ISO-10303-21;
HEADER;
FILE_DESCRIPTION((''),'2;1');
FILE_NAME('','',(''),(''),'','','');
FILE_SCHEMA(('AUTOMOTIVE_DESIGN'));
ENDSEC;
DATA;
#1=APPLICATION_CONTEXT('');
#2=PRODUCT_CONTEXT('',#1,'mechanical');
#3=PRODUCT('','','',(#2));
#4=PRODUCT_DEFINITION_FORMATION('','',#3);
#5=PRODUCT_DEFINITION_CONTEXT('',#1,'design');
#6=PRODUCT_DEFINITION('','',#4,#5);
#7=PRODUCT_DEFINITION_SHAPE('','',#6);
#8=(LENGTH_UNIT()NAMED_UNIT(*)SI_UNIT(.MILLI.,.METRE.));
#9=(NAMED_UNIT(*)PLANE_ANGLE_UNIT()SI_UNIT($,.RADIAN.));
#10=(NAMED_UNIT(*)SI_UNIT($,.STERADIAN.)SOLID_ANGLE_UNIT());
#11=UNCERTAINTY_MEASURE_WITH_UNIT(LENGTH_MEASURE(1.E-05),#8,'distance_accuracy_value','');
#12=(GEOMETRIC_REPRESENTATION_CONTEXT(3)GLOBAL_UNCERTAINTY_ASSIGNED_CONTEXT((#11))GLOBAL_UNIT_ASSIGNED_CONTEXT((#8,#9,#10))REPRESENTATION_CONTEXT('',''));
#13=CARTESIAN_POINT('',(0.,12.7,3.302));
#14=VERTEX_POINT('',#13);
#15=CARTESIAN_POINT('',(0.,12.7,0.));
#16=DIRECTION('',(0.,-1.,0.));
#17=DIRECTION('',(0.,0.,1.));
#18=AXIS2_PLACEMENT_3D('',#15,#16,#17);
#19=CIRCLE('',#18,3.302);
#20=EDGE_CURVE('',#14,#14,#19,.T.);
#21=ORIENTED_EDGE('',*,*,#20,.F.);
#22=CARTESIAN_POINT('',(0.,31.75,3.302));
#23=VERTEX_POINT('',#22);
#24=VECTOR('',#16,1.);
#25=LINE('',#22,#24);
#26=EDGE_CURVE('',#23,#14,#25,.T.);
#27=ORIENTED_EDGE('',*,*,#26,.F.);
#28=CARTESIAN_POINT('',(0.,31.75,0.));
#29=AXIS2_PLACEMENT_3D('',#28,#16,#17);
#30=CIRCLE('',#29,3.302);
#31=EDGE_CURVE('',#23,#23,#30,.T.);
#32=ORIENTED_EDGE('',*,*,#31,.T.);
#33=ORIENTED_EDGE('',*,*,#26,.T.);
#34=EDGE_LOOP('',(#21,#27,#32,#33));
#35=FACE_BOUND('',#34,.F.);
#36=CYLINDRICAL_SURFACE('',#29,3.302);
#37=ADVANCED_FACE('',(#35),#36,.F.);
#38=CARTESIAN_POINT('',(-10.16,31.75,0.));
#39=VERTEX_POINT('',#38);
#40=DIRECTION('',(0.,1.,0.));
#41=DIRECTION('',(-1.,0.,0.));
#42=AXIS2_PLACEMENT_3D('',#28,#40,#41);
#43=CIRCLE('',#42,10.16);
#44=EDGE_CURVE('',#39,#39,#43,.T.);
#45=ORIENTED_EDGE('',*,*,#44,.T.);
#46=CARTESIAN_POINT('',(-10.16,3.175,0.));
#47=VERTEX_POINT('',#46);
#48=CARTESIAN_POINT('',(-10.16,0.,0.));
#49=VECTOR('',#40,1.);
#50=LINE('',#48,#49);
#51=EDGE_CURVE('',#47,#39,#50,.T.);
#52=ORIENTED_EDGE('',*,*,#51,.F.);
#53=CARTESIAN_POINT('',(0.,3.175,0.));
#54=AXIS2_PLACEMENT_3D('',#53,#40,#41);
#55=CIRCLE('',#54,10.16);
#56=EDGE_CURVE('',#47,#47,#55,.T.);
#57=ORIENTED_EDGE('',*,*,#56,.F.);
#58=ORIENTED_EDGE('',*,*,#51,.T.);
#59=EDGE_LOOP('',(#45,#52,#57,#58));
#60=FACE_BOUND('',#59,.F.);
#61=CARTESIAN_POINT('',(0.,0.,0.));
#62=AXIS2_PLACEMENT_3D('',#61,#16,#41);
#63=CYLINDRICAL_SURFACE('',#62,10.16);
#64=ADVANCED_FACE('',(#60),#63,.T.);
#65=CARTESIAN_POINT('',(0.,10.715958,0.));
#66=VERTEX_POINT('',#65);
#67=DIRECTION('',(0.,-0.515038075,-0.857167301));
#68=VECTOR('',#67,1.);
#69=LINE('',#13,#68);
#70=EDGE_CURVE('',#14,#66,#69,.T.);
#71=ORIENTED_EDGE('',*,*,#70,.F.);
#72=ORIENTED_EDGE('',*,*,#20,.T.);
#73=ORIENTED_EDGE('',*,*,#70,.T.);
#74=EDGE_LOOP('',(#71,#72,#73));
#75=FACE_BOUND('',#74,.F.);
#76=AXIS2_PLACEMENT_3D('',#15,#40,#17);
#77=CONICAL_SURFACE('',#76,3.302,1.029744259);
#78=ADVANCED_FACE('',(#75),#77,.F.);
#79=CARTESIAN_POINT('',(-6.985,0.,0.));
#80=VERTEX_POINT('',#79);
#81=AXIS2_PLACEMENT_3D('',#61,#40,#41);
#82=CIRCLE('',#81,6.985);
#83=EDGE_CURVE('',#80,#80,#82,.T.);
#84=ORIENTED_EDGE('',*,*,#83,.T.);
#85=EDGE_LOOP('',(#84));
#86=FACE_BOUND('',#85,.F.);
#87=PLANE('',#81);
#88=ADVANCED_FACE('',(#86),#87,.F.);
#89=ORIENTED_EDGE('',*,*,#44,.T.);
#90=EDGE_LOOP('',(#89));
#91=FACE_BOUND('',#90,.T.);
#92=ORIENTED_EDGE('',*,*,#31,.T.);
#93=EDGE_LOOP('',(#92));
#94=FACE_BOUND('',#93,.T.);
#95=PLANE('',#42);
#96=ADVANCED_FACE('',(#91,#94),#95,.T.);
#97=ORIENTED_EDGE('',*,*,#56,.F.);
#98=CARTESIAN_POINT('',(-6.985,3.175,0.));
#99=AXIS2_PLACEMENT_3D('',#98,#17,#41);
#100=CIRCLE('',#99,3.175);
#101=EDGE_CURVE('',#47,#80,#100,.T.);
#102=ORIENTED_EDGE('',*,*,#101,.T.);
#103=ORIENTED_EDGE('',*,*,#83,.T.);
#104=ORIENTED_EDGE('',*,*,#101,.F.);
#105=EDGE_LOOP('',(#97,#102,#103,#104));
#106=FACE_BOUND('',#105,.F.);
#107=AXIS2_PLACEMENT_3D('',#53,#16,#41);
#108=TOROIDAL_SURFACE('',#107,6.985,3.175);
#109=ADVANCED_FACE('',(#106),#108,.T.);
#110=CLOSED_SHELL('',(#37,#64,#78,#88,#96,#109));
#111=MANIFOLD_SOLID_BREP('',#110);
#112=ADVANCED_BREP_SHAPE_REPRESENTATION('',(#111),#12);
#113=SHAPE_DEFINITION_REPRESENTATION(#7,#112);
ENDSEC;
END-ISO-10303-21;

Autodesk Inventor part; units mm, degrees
ref_plane "YZ Plane" through (0, 0, 0) normal (1, 0, 0) x (0, 1, 0)
ref_plane "XZ Plane" through (0, 0, 0) normal (0, 1, 0) x (-1, 0, 0)
ref_plane "XY Plane" through (0, 0, 0) normal (0, 0, 1) x (1, 0, 0)
sketch "Sketch1" plane through (0, 0, 0) normal (0, 1, 0) x (-1, 0, 0)
  circle A0 centre (0, 0) radius 10.16
  dimension "d0" = 20.32
extrude "Extrusion1" add sketch "Sketch1" along normal blind 31.75
sketch "Sketch2" plane through (0, 31.75, 0) normal (0, 1, 0) x (1, 0, 0)
  point P0 (0, 0)
  point P1 (0, 0)
hole "Hole1" at (0, 31.75, 0) direction (0, -1, 0) diameter 6.604 depth 19.05 tip angle 118 clearance for "Flat Head Machine Screw" size "M6" standard "Ansi Metric M Profile"
fillet "Fillet1" radius 3.175 1 edges at (10.16, 0, 0)
properties part number "legs"
